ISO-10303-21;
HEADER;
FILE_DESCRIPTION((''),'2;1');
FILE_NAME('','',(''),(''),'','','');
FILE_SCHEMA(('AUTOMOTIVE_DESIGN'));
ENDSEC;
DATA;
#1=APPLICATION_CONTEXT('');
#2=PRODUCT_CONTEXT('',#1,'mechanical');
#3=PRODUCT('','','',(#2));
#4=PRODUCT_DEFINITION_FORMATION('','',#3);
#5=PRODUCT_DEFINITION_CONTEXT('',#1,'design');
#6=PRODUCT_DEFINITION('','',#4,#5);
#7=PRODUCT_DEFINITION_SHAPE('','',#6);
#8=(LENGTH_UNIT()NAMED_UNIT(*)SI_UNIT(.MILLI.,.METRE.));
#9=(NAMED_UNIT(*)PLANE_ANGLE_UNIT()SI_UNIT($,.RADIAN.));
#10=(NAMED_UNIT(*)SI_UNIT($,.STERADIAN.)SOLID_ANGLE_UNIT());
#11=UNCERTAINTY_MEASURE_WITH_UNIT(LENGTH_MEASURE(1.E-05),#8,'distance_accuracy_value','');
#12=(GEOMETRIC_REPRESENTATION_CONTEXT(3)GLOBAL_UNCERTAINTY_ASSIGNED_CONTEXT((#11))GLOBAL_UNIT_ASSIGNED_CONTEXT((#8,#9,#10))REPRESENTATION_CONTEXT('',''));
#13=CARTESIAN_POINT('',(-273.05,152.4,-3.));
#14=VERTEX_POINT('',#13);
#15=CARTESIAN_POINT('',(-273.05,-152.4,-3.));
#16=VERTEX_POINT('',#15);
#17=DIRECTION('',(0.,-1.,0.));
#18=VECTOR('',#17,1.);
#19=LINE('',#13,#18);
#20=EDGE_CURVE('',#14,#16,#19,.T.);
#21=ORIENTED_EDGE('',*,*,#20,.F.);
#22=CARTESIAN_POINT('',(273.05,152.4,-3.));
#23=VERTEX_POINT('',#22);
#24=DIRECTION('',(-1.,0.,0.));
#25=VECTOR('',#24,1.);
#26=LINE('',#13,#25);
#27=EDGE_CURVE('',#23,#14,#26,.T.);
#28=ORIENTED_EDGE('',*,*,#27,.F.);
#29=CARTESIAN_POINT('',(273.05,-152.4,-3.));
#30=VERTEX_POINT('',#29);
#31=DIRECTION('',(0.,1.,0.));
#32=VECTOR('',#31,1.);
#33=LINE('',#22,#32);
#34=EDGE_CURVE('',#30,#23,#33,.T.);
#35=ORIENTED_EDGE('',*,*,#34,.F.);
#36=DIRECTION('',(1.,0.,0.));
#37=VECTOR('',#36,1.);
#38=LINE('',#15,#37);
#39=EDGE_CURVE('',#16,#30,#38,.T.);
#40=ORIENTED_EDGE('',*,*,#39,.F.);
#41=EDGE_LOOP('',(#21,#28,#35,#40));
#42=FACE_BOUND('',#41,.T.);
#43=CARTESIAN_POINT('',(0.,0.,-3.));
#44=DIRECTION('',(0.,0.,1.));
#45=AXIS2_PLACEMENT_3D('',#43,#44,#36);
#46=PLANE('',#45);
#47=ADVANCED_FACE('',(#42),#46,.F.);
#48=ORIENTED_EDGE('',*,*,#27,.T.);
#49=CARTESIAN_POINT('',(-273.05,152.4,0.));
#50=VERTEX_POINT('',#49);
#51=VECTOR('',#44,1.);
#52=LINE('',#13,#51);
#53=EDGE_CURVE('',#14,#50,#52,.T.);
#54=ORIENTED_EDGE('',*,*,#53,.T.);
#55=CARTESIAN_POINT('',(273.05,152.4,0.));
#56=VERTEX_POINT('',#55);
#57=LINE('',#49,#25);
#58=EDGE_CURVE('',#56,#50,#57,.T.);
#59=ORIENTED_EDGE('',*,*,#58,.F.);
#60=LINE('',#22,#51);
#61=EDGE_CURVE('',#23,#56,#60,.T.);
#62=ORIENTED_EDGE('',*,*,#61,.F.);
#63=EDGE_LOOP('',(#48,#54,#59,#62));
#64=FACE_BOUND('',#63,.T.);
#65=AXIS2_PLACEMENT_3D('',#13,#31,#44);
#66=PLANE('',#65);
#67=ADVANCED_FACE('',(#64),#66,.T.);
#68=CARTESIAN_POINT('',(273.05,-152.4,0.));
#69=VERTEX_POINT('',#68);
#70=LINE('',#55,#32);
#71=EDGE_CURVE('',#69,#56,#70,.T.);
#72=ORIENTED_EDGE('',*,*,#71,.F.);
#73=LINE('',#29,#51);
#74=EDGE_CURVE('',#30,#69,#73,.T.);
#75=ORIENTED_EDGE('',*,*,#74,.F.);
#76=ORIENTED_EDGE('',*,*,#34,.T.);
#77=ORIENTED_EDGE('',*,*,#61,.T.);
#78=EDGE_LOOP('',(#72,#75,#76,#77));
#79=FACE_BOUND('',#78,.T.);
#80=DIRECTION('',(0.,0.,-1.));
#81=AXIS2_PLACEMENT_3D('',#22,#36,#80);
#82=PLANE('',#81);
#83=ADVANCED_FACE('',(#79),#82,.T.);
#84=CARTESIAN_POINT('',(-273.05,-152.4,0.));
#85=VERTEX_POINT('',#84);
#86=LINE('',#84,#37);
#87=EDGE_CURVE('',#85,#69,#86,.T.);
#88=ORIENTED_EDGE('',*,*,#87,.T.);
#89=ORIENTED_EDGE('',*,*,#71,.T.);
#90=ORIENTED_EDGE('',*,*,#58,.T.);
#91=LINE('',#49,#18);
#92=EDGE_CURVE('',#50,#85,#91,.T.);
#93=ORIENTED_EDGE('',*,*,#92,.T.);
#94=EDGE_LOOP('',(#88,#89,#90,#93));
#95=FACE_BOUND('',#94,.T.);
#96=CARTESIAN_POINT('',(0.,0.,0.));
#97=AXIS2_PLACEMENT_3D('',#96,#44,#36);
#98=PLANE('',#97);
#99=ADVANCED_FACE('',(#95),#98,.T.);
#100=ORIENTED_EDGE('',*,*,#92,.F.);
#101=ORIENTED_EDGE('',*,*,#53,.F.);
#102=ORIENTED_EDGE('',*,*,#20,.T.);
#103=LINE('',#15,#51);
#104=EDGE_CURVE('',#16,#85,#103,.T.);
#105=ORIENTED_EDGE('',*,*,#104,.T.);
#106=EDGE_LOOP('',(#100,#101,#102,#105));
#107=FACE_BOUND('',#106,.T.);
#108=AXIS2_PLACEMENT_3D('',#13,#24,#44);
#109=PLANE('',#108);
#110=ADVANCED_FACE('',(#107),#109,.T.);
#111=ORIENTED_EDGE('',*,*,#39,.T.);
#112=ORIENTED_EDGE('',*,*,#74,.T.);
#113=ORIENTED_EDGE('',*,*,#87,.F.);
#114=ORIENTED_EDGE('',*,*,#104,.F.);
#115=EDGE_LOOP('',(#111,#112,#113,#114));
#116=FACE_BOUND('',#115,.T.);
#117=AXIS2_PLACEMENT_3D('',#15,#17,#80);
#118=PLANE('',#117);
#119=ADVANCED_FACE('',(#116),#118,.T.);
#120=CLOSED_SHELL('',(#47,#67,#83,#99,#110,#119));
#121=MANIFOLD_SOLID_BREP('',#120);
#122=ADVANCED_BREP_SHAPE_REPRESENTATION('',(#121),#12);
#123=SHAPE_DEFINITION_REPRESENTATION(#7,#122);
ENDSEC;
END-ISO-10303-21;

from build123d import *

# Parameters (mm, degrees)
PLAYFIELD_W             = 508
PLAYFIELD_H             = 266.7
PLAYFIELD_R             = 18.415
BOSS_EXTRUDE1_DEPTH     = 3
OUTER_BOUNDARY_W        = 546.1
OUTER_BOUNDARY_H        = 304.8
BOSS_EXTRUDE2_DEPTH     = 3
CUT_EXTRUDE1_DEPTH      = 313.715625609
CUT_EXTRUDE1_DEPTH_BACK = 313.715625609
PLAYFIELD_2_R           = 18.415
PLAYFIELD_3_W           = 508
PLAYFIELD_3_H           = 266.7
PLAYFIELD_3_R           = 18.415
CUT_EXTRUDE2_DEPTH      = 3
SKETCH1_R               = 18.415
BOSS_EXTRUDE3_DEPTH     = 3


with BuildPart() as part:
    # PlayField → Boss-Extrude1 (new body)
    with BuildSketch(Plane.XY):
        Rectangle(PLAYFIELD_W, PLAYFIELD_H)
        with Locations((-218.44, 0)):
            Circle(PLAYFIELD_R, mode=Mode.SUBTRACT)
        with Locations((218.44, 0)):
            Circle(PLAYFIELD_R, mode=Mode.SUBTRACT)
    extrude(amount=BOSS_EXTRUDE1_DEPTH)

    # Outer Boundary → Boss-Extrude2 (add)
    with BuildSketch(Plane.XY):
        Rectangle(OUTER_BOUNDARY_W, OUTER_BOUNDARY_H)
    extrude(amount=-BOSS_EXTRUDE2_DEPTH)

    # PlayField<2> → Cut-Extrude1 (cut, two sides: drawn at the far end of the back side and taken through both)
    with BuildSketch(Plane.XY.offset(-CUT_EXTRUDE1_DEPTH_BACK)):
        with Locations((-218.44, 0)):
            Circle(PLAYFIELD_2_R)
        with Locations((218.44, 0)):
            Circle(PLAYFIELD_2_R)
    extrude(amount=CUT_EXTRUDE1_DEPTH + CUT_EXTRUDE1_DEPTH_BACK, mode=Mode.SUBTRACT)

    # PlayField<3> → Cut-Extrude2 (cut)
    with BuildSketch(Plane.XY):
        Rectangle(PLAYFIELD_3_W, PLAYFIELD_3_H)
        with Locations((-218.44, 0)):
            Circle(PLAYFIELD_3_R, mode=Mode.SUBTRACT)
        with Locations((218.44, 0)):
            Circle(PLAYFIELD_3_R, mode=Mode.SUBTRACT)
    extrude(amount=CUT_EXTRUDE2_DEPTH, mode=Mode.SUBTRACT)

    # Sketch1 → Boss-Extrude3 (add)
    with BuildSketch(Plane.XY):
        with Locations((-218.44, 0)):
            Circle(SKETCH1_R)
        with Locations((218.44, 0)):
            Circle(SKETCH1_R)
    extrude(amount=-BOSS_EXTRUDE3_DEPTH)


solid = part.part
